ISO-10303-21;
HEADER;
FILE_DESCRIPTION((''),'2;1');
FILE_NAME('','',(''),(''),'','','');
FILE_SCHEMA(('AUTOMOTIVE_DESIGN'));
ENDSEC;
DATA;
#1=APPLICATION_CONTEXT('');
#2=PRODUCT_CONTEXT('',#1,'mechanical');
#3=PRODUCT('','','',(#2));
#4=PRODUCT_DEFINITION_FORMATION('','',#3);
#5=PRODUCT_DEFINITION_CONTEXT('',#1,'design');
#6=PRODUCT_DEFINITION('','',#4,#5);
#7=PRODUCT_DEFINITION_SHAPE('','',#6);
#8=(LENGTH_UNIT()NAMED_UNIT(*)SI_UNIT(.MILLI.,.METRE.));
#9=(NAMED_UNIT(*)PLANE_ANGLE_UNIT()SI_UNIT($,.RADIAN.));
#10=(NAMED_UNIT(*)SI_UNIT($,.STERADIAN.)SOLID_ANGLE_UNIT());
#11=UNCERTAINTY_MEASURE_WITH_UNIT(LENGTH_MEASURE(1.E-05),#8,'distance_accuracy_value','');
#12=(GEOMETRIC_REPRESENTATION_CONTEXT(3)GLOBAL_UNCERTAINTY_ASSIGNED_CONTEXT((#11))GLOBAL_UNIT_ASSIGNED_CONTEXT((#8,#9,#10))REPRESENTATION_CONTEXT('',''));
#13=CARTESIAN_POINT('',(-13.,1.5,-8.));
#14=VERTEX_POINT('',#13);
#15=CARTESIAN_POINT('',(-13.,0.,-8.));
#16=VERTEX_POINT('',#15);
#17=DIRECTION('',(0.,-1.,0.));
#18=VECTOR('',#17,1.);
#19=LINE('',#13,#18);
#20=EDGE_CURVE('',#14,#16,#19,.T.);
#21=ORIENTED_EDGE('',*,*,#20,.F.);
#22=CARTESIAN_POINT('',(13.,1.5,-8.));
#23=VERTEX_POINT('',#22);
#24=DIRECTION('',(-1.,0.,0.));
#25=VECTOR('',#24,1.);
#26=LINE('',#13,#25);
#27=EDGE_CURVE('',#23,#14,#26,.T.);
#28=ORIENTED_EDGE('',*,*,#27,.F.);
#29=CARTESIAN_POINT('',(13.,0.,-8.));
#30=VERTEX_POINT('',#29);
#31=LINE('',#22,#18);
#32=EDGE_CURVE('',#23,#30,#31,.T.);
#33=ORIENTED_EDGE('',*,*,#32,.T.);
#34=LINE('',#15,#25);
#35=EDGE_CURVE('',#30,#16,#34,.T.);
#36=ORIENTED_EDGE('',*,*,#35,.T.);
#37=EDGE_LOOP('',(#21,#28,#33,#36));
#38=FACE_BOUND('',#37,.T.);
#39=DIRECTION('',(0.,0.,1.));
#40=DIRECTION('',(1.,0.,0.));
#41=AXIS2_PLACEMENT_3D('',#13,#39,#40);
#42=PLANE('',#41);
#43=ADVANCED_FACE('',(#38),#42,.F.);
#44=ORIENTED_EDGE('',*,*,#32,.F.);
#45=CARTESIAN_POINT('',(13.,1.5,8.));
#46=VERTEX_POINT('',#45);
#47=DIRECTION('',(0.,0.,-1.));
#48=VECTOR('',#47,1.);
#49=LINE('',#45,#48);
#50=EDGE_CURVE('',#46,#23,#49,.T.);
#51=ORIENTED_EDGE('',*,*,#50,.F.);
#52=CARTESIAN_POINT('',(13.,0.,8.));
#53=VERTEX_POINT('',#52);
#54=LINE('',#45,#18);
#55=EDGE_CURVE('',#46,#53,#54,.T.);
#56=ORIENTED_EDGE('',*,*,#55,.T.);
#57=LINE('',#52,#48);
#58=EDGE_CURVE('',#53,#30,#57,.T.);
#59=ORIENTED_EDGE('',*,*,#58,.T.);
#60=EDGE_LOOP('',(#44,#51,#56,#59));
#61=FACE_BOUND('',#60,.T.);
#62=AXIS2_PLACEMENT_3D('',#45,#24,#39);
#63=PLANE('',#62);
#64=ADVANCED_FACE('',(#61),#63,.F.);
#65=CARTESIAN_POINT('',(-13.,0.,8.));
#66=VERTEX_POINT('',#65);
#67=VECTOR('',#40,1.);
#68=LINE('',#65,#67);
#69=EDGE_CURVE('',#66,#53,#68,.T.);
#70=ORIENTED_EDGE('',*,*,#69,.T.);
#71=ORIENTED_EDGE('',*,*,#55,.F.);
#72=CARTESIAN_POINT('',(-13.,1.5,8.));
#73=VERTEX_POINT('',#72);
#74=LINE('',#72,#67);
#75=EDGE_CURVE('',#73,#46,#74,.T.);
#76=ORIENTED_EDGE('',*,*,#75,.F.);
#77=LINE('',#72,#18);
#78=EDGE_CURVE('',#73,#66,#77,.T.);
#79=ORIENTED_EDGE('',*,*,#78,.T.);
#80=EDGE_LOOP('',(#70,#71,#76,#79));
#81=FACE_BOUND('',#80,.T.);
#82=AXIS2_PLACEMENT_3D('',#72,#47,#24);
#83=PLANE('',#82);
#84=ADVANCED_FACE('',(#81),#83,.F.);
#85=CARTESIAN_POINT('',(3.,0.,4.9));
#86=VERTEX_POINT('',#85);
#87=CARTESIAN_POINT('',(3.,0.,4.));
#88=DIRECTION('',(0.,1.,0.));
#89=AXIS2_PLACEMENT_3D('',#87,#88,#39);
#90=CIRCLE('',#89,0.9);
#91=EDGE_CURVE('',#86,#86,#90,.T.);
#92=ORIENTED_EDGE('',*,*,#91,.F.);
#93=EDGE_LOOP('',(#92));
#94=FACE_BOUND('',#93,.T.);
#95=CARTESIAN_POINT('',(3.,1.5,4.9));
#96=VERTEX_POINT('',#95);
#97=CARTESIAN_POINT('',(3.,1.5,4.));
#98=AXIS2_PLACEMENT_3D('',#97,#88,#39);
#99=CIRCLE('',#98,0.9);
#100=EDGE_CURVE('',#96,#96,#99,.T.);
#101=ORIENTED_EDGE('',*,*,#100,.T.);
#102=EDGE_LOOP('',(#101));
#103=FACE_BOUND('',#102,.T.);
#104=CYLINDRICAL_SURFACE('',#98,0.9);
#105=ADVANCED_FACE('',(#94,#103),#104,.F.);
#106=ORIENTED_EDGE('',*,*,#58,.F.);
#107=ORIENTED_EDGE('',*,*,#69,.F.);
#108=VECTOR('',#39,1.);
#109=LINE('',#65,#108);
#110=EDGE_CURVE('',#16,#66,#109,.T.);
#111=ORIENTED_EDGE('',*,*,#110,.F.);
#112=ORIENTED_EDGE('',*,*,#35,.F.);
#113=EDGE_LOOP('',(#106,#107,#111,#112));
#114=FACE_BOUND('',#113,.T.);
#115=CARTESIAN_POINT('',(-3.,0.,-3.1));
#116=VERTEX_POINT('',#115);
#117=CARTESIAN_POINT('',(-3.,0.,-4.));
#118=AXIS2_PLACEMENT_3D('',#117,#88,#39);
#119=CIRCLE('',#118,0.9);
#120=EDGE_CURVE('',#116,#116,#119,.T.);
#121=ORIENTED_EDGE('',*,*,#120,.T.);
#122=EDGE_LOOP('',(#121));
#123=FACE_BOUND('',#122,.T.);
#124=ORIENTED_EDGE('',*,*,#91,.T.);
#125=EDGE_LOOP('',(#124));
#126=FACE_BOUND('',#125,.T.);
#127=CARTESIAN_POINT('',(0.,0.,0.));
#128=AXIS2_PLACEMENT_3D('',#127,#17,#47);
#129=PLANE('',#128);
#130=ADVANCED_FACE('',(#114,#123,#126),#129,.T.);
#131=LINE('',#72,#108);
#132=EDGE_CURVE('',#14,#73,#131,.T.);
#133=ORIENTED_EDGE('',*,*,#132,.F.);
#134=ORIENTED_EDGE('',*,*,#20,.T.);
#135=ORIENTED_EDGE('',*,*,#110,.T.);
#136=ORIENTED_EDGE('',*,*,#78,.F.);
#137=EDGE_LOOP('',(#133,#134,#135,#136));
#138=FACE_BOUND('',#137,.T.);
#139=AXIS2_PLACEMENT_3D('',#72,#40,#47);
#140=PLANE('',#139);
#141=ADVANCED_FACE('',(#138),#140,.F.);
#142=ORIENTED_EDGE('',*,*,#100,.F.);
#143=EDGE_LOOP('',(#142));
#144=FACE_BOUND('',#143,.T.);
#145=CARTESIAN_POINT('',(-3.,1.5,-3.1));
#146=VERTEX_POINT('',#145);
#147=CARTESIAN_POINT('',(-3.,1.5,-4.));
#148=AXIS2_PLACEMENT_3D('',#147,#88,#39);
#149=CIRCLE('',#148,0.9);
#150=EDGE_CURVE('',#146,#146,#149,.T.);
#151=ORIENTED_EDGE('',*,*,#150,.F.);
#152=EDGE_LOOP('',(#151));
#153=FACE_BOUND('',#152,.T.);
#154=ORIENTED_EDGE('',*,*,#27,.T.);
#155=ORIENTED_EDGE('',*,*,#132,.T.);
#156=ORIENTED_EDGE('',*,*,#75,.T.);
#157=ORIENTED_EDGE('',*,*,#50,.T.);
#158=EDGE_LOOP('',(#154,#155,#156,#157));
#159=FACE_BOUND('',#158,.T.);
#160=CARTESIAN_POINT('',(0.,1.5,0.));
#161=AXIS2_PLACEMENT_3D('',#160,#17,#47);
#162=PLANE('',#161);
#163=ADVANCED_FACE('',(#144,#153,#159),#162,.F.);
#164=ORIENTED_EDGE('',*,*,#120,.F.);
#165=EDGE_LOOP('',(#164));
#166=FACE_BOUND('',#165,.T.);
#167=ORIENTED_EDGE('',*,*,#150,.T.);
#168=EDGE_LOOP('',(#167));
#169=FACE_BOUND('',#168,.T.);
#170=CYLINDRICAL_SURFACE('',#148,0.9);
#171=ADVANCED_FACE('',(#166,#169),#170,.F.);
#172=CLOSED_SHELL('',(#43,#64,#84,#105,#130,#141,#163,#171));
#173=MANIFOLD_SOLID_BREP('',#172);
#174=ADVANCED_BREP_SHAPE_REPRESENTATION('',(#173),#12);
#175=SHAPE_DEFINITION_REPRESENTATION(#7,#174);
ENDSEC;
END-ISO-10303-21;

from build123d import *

# Parameters (mm, degrees)
BASE_SKETCH_W              = 26
BASE_SKETCH_H              = 16
BOSS_EXTRUDE1_DEPTH        = 1.5
F_1_8_1_8_DIAMETER_HOLE1_D = 1.8


with BuildPart() as part:
    # Base Sketch → Boss-Extrude1 (new body)
    with BuildSketch(Plane(origin=(0, 0, 0), x_dir=(1, 0, 0), z_dir=(0, 1, 0))):
        Rectangle(BASE_SKETCH_W, BASE_SKETCH_H)
    extrude(amount=BOSS_EXTRUDE1_DEPTH)

    # Ø1.8 (1.8) Diameter Hole1 (through all)
    with Locations(Plane(origin=(0, 1.5, 0), x_dir=(1, 0, 0), z_dir=(0, 1, 0))):
        with Locations((-3, 4), (3, -4)):
            Hole(F_1_8_1_8_DIAMETER_HOLE1_D / 2)


solid = part.part
